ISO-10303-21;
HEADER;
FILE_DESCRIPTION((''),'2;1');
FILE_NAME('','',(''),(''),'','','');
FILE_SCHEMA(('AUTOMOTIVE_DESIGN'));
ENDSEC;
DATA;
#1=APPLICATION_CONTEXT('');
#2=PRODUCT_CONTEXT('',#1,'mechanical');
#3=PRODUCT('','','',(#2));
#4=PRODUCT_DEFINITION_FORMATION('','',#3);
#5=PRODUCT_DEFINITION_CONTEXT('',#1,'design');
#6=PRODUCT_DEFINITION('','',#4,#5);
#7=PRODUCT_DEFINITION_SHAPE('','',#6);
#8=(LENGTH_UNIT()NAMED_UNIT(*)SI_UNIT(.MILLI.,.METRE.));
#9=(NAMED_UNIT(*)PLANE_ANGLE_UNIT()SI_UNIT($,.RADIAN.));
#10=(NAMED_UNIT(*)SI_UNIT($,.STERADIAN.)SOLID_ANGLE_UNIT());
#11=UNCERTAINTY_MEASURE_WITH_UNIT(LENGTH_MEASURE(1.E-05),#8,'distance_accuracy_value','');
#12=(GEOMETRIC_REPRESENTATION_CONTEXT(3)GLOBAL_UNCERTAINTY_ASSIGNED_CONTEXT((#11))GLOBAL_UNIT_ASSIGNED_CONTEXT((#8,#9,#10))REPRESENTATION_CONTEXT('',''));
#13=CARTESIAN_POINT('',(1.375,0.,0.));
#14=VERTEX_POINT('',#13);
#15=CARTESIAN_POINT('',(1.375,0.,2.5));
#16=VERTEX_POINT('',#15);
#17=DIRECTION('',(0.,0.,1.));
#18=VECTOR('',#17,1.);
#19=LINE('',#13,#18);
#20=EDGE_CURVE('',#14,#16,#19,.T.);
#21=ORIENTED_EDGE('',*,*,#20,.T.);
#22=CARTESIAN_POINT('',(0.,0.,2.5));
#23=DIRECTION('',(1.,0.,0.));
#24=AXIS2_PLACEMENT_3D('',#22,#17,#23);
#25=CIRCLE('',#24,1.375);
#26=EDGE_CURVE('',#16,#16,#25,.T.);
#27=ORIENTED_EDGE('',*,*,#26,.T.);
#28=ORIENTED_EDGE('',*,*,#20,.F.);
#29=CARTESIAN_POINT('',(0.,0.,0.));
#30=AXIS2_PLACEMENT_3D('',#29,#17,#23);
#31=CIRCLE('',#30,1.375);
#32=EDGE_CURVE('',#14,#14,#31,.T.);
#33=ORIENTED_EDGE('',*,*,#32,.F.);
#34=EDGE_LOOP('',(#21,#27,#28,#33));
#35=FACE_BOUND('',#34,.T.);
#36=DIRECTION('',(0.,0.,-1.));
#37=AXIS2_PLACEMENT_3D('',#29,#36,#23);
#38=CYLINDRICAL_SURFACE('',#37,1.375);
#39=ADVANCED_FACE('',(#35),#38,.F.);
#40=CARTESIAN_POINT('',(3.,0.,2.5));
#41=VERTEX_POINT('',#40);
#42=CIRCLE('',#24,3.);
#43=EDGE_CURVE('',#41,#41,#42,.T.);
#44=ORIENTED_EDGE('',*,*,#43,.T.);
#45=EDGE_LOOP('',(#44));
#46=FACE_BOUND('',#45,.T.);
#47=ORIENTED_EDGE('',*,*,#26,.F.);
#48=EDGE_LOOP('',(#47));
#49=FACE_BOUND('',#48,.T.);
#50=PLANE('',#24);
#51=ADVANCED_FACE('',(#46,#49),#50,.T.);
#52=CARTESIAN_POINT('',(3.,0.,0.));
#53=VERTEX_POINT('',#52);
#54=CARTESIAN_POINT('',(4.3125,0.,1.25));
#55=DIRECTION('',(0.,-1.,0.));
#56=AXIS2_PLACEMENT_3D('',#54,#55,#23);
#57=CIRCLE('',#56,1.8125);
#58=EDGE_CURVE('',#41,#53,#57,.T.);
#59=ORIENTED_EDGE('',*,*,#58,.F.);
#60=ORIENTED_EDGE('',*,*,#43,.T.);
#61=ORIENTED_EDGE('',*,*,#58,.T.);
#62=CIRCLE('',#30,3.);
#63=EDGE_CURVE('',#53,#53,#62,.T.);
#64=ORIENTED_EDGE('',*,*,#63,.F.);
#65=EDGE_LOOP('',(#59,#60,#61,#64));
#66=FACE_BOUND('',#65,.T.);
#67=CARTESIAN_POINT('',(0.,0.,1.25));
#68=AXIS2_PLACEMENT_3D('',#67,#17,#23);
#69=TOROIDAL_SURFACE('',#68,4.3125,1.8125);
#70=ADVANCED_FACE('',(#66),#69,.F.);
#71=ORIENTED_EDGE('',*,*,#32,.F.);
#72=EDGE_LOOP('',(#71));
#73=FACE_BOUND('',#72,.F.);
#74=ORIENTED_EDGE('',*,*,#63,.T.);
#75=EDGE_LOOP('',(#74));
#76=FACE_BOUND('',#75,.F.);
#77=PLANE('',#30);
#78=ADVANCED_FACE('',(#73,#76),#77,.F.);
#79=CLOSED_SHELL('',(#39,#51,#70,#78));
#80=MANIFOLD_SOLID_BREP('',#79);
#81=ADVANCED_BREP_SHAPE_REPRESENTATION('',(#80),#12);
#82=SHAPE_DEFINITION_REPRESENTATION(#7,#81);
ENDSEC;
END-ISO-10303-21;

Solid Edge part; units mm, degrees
sketch "Sketch1" plane through (0, 0, 0) normal (0, 0, 1) x (1, 0, 0)
  circle A0 centre (0, 0) radius 1.375
  circle A1 centre (0, 0) radius 3
  dimension "D1" = 6
extrude "Protrusion1" add sketch "Sketch1" along normal blind 2.5
sketch "Sketch2" plane through (0, 0, 0) normal (0, -1, 0) x (1, 0, 0)
  arc A0 (3, 2.5) -> (3, 0) centre (4.3125, 1.25) ccw
revolve "RevolvedCutout1" cut sketch "Sketch2" angle 360 about axis through (0, 0, 2.5) along (0, 0, -1) material side at (2.55, 0, 1.25)
